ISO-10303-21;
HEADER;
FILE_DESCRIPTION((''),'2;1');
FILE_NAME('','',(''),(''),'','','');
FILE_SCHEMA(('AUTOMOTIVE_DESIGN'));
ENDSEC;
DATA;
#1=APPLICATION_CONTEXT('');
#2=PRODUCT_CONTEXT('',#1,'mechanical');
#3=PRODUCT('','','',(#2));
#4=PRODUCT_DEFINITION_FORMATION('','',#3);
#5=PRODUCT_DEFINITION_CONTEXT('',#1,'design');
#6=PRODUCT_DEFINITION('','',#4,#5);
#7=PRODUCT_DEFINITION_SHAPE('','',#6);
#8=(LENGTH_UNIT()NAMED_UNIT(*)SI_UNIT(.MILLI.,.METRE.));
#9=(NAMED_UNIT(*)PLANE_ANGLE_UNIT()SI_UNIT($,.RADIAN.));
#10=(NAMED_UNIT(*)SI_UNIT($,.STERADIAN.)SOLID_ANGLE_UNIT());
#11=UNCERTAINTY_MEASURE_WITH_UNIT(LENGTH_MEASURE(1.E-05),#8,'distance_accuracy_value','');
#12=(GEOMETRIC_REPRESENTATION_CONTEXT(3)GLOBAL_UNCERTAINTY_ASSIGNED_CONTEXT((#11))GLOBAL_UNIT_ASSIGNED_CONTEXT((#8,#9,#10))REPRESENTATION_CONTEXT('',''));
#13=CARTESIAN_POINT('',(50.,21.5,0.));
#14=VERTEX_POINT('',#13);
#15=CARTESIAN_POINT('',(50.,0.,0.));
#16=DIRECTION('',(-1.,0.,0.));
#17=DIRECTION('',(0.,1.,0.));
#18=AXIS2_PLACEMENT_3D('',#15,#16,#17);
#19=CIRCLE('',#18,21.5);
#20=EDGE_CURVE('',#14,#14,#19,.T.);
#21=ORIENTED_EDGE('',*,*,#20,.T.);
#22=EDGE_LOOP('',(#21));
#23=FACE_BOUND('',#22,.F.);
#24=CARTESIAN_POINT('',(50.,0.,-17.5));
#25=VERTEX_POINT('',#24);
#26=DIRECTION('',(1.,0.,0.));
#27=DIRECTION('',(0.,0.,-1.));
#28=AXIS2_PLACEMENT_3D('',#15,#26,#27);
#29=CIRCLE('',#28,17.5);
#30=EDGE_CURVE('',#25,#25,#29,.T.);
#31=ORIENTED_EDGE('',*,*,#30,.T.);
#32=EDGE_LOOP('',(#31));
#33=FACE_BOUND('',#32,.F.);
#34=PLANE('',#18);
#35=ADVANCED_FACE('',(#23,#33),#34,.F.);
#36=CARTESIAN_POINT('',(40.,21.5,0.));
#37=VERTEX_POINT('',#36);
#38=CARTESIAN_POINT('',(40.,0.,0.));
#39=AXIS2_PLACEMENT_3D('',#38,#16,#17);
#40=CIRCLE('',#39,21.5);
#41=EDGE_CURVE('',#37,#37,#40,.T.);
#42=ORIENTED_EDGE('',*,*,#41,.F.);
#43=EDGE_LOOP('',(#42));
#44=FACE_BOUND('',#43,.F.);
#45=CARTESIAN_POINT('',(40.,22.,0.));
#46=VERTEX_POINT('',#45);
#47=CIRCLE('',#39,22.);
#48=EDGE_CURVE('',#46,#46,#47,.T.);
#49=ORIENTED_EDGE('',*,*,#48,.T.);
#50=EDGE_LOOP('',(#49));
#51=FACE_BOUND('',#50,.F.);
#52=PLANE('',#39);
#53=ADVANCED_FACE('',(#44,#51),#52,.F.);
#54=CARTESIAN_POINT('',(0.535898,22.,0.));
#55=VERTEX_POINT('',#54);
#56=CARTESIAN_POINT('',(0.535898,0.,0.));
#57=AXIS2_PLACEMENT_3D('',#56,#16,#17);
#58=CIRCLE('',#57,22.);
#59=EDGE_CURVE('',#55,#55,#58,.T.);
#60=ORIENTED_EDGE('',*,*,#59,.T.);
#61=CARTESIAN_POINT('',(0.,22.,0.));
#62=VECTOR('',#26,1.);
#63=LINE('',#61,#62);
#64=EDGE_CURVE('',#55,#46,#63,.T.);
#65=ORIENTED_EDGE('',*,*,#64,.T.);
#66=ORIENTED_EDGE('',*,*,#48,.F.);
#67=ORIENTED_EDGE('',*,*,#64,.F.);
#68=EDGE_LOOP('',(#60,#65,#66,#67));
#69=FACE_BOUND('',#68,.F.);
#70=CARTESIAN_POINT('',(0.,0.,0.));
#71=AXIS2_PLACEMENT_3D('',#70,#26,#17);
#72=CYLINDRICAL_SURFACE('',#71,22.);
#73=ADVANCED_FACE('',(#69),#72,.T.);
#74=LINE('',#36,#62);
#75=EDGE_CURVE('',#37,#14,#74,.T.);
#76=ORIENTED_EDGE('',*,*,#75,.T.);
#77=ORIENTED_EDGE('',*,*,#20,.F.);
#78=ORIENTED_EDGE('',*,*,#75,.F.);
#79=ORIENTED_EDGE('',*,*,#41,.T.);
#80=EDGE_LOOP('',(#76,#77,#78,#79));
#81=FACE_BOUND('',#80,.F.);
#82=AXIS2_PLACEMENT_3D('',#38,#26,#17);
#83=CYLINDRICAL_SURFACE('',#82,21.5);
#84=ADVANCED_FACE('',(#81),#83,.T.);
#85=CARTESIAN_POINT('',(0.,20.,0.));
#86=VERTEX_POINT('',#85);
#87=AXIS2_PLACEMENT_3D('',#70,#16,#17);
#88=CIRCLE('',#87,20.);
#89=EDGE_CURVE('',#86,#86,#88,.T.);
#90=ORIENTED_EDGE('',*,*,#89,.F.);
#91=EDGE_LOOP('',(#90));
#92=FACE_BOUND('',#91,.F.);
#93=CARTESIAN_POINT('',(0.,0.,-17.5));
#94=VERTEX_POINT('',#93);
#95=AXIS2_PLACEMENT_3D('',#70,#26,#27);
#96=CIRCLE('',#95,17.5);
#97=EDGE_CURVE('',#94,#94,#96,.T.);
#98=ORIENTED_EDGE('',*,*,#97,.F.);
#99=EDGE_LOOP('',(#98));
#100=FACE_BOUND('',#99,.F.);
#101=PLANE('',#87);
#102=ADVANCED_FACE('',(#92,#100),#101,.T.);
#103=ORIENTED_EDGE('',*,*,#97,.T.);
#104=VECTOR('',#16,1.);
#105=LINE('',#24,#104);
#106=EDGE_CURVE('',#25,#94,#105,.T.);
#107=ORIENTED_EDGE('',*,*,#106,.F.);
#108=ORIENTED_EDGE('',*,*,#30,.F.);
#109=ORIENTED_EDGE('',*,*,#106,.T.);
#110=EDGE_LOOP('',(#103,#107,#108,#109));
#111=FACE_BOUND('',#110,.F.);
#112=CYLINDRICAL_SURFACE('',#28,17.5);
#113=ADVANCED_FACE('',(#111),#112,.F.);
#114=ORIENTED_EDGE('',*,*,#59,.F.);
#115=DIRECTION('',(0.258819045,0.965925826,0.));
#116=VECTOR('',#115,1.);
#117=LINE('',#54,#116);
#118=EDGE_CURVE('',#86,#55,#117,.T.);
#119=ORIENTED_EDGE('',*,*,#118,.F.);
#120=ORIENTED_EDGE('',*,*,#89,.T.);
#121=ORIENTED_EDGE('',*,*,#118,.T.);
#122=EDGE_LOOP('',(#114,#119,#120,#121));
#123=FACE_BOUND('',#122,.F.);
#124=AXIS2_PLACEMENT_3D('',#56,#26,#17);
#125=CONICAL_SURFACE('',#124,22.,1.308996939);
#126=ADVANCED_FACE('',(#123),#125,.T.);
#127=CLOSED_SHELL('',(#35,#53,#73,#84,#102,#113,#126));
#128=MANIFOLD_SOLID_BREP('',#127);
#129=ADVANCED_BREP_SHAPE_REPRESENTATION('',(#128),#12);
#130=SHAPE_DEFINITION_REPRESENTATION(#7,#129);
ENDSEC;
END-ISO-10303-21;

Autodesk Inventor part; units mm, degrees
ref_plane "YZ Plane" through (0, 0, 0) normal (1, 0, 0) x (0, 1, 0)
ref_plane "XZ Plane" through (0, 0, 0) normal (0, 1, 0) x (-1, 0, 0)
ref_plane "XY Plane" through (0, 0, 0) normal (0, 0, 1) x (1, 0, 0)
sketch "Skizze1" plane through (0, 0, 0) normal (0, 0, 1) x (1, 0, 0)
  line L0 (0, 0) -> (0, 22)
  line L1 (0, 22) -> (40, 22)
  line L2 (40, 22) -> (40, 21.5)
  line L3 (40, 21.5) -> (50, 21.5)
  line L4 (50, 21.5) -> (50, 0)
  line L5 (50, 0) -> (0, 0)
  dimension "d0" = 44
  dimension "d1" = 43
  dimension "d2" = 40
  dimension "d3" = 50
revolve "Umdrehung1" add sketch "Skizze1" angle 360 about axis through (50, 0, 0) along (-1, 0, 0)
chamfer "Fasen1" distance 2 angle 15 1 edges at (0, -22, 0) measured on face at (0, -5.3524, -1.755)
sketch "Skizze2" plane through (50, 0, 0) normal (1, 0, 0) x (0, 0, -1)
  circle A0 centre (0, 0) radius 17.5
  dimension "d8" = 35
extrude "Extrusion1" cut sketch "Skizze2" against normal up to surface (50 mm away)
properties part number "Zylinder_laufbuechse" material "Glas"
